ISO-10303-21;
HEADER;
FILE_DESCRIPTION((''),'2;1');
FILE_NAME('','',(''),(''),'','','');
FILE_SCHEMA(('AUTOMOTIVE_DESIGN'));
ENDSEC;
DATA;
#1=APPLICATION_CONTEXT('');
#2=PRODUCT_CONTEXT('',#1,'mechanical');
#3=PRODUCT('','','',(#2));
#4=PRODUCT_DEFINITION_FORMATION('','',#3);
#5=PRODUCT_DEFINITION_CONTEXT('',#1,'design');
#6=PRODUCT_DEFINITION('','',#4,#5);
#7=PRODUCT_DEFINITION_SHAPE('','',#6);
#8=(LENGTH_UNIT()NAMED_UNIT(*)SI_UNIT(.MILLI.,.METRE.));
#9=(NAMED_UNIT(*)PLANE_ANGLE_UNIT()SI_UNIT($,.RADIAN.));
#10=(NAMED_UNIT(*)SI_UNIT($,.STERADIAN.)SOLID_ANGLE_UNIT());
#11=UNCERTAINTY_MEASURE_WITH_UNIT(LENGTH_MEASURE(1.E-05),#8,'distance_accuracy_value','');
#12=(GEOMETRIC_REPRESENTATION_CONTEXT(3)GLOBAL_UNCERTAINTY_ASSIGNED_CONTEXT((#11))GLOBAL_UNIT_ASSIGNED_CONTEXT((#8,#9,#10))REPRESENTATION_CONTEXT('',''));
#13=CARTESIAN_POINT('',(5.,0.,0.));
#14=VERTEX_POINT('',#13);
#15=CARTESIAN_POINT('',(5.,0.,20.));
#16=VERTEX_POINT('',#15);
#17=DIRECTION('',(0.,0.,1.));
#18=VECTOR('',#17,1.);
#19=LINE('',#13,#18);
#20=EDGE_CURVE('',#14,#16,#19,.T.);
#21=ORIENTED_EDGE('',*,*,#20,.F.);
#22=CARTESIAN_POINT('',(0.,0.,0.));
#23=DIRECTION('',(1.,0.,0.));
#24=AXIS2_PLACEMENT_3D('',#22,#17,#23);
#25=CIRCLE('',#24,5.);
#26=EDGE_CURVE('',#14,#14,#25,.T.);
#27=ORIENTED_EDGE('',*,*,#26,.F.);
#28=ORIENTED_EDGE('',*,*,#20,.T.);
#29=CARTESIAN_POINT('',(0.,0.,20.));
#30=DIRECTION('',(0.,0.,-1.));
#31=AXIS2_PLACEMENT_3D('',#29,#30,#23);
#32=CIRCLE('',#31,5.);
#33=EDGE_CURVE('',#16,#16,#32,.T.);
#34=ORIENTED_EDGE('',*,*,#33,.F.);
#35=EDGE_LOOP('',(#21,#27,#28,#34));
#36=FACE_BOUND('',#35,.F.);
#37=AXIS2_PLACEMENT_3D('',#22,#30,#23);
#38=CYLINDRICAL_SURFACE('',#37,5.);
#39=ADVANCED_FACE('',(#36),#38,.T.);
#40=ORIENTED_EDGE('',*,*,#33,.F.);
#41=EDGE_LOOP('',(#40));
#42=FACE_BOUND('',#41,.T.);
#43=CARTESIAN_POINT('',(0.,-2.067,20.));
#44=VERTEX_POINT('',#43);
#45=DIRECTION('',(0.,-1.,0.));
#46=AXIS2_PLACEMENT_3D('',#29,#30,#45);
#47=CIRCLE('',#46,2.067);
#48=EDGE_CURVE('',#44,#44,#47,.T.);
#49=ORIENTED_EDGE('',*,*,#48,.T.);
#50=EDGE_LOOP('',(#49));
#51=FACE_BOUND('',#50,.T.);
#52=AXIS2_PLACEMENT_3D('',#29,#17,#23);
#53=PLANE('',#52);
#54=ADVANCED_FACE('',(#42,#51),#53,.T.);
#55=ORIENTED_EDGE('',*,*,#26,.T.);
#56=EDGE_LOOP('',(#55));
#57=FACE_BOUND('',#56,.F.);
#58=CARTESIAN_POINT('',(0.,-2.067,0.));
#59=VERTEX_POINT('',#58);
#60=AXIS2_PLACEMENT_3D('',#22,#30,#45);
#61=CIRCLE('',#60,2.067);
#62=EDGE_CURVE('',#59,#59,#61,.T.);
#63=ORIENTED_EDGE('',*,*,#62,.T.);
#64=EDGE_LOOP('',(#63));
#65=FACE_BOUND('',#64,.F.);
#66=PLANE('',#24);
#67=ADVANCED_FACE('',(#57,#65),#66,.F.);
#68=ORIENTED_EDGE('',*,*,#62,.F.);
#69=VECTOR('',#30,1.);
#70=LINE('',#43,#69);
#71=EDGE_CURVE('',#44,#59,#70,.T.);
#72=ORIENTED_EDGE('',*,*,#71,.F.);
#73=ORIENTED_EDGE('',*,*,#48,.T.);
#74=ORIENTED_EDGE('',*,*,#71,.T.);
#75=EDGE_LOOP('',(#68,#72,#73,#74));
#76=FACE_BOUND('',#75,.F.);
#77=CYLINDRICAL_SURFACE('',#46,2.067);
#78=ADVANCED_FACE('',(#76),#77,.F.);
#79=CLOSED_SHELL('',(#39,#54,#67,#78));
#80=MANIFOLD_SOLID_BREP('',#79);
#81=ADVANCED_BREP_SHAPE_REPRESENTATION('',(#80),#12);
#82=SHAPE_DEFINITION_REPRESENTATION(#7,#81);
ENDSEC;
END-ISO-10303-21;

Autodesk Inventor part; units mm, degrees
ref_plane "YZ Plane" through (0, 0, 0) normal (1, 0, 0) x (0, 1, 0)
ref_plane "XZ Plane" through (0, 0, 0) normal (0, 1, 0) x (-1, 0, 0)
ref_plane "XY Plane" through (0, 0, 0) normal (0, 0, 1) x (1, 0, 0)
sketch "Skizze1" plane through (0, 0, 0) normal (0, 0, 1) x (1, 0, 0)
  line L0 (-7, 0) -> (7, 0) projected
  line L1 (0, -7) -> (0, 7) projected
  circle A0 centre (0, 0) radius 5
  dimension "d0" = 10
extrude "Extrusion1" add sketch "Skizze1" along normal blind 20
sketch "Skizze2" plane through (0, 0, 20) normal (0, 0, 1) x (1, 0, 0)
  point P0 (0, 0)
  point P1 (0, 0)
hole "Bohrung1" at (0, 0, 20) direction (0, 0, -1) diameter 4.134 end through all thread size "M5x0.8" class "6H" standard "ISO Metric profile"
properties part number "24_0497_0013"
